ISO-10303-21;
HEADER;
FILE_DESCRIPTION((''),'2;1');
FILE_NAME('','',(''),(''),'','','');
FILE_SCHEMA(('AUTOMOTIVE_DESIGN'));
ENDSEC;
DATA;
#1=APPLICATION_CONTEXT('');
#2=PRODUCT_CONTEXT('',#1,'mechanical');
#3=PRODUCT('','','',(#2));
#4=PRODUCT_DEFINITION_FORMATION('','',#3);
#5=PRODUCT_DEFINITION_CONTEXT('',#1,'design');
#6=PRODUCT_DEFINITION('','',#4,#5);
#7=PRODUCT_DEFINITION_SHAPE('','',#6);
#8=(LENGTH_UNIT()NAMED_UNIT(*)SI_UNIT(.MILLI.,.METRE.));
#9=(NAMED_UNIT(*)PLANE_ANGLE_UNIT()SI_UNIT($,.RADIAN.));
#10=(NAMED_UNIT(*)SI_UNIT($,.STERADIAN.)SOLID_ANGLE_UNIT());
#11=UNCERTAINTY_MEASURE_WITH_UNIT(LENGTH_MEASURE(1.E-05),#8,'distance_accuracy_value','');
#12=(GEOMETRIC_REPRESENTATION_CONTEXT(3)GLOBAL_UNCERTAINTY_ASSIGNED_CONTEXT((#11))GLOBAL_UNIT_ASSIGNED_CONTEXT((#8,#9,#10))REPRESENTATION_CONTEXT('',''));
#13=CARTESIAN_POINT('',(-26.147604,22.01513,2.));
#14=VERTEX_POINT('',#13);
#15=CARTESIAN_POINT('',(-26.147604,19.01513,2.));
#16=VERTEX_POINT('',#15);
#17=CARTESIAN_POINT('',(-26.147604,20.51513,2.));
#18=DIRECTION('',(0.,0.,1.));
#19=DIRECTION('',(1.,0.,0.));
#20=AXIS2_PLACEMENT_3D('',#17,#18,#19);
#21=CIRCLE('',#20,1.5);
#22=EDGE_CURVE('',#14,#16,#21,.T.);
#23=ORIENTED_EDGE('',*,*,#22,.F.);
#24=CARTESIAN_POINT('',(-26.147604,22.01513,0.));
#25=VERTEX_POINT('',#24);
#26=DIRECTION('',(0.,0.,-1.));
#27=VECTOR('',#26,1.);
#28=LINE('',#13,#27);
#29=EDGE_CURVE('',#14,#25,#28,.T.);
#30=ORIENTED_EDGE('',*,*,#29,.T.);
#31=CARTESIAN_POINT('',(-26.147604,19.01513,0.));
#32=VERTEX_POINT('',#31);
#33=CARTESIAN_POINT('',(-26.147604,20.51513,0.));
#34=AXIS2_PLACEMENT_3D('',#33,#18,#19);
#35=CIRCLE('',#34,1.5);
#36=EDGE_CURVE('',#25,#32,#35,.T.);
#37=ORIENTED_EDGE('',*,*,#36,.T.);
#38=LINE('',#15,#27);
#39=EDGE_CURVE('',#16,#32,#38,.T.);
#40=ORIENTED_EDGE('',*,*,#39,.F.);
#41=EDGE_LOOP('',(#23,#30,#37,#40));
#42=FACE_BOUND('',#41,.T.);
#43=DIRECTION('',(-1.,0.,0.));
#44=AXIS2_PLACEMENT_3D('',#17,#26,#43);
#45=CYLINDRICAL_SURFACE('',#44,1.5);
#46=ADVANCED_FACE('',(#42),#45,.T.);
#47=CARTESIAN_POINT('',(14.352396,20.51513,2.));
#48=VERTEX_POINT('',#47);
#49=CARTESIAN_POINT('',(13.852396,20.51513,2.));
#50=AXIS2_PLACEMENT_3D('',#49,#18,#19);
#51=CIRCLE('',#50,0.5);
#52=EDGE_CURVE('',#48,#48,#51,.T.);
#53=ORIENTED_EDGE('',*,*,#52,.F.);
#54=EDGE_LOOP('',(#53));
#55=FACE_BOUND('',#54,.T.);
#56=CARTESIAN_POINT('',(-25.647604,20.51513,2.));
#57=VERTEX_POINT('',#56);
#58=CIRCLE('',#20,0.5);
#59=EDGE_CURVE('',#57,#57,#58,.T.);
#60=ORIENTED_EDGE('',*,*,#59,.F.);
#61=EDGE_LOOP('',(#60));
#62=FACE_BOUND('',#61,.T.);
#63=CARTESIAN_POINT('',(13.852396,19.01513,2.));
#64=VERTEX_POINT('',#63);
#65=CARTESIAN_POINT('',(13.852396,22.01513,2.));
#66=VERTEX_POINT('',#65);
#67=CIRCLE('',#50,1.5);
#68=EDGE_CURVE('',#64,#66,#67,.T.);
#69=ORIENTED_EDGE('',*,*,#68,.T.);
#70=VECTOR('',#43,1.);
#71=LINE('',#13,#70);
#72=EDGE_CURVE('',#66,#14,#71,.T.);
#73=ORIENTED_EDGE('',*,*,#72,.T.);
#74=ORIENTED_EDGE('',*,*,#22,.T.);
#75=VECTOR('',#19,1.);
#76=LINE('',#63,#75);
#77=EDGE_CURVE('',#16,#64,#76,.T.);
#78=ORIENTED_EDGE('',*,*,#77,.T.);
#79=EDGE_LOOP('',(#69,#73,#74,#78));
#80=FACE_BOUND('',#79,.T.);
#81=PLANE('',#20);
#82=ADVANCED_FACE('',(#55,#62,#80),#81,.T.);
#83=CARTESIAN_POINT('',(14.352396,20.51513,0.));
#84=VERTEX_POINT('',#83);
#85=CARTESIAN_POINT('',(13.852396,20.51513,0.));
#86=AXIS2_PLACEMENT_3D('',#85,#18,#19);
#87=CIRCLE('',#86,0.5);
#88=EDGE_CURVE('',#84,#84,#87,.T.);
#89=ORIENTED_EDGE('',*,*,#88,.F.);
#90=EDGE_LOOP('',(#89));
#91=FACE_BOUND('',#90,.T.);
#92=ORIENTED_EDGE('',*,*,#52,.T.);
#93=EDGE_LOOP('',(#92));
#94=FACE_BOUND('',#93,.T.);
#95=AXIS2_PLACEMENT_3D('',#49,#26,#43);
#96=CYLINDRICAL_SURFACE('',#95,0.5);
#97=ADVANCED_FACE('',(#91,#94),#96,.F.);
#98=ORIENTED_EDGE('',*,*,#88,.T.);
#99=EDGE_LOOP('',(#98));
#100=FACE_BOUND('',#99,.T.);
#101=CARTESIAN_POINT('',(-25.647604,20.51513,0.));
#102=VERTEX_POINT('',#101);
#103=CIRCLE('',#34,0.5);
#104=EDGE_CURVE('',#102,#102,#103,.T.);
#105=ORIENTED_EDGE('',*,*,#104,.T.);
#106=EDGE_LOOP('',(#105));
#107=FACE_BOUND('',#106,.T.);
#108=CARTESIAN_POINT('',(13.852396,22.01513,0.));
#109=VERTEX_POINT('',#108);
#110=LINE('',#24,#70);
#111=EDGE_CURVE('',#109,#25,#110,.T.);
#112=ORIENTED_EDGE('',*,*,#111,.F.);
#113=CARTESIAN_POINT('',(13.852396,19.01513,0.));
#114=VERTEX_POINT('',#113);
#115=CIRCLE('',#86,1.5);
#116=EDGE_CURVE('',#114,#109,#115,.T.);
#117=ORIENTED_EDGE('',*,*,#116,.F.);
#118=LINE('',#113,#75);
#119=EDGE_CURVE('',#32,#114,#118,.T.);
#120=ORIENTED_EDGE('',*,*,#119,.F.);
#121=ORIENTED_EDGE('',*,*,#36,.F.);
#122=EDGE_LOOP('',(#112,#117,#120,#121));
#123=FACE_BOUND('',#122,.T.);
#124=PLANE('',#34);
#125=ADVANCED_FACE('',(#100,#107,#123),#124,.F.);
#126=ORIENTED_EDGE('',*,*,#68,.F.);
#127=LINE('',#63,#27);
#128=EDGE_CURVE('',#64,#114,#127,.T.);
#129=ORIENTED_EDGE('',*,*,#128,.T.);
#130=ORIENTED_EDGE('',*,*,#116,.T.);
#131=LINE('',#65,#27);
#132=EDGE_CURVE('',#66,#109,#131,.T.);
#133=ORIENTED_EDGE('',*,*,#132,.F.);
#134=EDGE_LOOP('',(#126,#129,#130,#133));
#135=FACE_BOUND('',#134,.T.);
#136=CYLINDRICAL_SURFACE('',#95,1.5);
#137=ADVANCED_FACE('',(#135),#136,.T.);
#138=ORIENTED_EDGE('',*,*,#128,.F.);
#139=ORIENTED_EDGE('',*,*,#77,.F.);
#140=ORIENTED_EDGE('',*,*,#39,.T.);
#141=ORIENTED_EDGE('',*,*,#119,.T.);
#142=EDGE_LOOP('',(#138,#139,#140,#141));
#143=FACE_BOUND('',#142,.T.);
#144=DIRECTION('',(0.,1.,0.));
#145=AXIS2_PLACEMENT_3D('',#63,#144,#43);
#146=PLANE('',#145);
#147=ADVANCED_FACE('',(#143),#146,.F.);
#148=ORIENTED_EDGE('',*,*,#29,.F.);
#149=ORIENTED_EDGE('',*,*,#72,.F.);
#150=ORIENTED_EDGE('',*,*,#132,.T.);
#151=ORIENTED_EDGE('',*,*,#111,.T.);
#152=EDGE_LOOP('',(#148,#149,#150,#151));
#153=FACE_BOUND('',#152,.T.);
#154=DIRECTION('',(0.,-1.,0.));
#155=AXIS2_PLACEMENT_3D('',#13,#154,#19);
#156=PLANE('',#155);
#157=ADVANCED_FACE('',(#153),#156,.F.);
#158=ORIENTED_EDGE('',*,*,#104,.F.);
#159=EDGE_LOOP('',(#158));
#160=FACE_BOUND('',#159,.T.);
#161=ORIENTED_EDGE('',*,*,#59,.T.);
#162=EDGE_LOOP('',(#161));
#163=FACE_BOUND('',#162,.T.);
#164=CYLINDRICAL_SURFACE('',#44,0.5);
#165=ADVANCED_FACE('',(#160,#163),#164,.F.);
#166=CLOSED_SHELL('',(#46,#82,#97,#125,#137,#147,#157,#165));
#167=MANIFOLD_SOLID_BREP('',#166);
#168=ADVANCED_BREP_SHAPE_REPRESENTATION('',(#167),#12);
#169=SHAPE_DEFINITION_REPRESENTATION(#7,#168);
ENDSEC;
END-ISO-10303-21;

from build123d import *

# Parameters (mm, degrees)
SKETCH_1_R      = 0.5
EXTRUDE_1_DEPTH = 2


with BuildPart() as part:
    # 草图1 → 凸台-拉伸1 (new body)
    with BuildSketch(Plane.XY):
        with BuildLine():
            Line((-26.147603506, 22.01512969), (13.852396494, 22.01512969))
            ThreePointArc((13.852396494, 22.01512969), (15.352396494, 20.51512969), (13.852396494, 19.01512969))
            Line((13.852396494, 19.01512969), (-26.147603506, 19.01512969))
            ThreePointArc((-26.147603506, 19.01512969), (-27.647603506, 20.51512969), (-26.147603506, 22.01512969))
        make_face()
        with Locations((-26.147603506, 20.51512969)):
            Circle(SKETCH_1_R, mode=Mode.SUBTRACT)
        with Locations((13.852396494, 20.51512969)):
            Circle(SKETCH_1_R, mode=Mode.SUBTRACT)
    extrude(amount=EXTRUDE_1_DEPTH)


solid = part.part
